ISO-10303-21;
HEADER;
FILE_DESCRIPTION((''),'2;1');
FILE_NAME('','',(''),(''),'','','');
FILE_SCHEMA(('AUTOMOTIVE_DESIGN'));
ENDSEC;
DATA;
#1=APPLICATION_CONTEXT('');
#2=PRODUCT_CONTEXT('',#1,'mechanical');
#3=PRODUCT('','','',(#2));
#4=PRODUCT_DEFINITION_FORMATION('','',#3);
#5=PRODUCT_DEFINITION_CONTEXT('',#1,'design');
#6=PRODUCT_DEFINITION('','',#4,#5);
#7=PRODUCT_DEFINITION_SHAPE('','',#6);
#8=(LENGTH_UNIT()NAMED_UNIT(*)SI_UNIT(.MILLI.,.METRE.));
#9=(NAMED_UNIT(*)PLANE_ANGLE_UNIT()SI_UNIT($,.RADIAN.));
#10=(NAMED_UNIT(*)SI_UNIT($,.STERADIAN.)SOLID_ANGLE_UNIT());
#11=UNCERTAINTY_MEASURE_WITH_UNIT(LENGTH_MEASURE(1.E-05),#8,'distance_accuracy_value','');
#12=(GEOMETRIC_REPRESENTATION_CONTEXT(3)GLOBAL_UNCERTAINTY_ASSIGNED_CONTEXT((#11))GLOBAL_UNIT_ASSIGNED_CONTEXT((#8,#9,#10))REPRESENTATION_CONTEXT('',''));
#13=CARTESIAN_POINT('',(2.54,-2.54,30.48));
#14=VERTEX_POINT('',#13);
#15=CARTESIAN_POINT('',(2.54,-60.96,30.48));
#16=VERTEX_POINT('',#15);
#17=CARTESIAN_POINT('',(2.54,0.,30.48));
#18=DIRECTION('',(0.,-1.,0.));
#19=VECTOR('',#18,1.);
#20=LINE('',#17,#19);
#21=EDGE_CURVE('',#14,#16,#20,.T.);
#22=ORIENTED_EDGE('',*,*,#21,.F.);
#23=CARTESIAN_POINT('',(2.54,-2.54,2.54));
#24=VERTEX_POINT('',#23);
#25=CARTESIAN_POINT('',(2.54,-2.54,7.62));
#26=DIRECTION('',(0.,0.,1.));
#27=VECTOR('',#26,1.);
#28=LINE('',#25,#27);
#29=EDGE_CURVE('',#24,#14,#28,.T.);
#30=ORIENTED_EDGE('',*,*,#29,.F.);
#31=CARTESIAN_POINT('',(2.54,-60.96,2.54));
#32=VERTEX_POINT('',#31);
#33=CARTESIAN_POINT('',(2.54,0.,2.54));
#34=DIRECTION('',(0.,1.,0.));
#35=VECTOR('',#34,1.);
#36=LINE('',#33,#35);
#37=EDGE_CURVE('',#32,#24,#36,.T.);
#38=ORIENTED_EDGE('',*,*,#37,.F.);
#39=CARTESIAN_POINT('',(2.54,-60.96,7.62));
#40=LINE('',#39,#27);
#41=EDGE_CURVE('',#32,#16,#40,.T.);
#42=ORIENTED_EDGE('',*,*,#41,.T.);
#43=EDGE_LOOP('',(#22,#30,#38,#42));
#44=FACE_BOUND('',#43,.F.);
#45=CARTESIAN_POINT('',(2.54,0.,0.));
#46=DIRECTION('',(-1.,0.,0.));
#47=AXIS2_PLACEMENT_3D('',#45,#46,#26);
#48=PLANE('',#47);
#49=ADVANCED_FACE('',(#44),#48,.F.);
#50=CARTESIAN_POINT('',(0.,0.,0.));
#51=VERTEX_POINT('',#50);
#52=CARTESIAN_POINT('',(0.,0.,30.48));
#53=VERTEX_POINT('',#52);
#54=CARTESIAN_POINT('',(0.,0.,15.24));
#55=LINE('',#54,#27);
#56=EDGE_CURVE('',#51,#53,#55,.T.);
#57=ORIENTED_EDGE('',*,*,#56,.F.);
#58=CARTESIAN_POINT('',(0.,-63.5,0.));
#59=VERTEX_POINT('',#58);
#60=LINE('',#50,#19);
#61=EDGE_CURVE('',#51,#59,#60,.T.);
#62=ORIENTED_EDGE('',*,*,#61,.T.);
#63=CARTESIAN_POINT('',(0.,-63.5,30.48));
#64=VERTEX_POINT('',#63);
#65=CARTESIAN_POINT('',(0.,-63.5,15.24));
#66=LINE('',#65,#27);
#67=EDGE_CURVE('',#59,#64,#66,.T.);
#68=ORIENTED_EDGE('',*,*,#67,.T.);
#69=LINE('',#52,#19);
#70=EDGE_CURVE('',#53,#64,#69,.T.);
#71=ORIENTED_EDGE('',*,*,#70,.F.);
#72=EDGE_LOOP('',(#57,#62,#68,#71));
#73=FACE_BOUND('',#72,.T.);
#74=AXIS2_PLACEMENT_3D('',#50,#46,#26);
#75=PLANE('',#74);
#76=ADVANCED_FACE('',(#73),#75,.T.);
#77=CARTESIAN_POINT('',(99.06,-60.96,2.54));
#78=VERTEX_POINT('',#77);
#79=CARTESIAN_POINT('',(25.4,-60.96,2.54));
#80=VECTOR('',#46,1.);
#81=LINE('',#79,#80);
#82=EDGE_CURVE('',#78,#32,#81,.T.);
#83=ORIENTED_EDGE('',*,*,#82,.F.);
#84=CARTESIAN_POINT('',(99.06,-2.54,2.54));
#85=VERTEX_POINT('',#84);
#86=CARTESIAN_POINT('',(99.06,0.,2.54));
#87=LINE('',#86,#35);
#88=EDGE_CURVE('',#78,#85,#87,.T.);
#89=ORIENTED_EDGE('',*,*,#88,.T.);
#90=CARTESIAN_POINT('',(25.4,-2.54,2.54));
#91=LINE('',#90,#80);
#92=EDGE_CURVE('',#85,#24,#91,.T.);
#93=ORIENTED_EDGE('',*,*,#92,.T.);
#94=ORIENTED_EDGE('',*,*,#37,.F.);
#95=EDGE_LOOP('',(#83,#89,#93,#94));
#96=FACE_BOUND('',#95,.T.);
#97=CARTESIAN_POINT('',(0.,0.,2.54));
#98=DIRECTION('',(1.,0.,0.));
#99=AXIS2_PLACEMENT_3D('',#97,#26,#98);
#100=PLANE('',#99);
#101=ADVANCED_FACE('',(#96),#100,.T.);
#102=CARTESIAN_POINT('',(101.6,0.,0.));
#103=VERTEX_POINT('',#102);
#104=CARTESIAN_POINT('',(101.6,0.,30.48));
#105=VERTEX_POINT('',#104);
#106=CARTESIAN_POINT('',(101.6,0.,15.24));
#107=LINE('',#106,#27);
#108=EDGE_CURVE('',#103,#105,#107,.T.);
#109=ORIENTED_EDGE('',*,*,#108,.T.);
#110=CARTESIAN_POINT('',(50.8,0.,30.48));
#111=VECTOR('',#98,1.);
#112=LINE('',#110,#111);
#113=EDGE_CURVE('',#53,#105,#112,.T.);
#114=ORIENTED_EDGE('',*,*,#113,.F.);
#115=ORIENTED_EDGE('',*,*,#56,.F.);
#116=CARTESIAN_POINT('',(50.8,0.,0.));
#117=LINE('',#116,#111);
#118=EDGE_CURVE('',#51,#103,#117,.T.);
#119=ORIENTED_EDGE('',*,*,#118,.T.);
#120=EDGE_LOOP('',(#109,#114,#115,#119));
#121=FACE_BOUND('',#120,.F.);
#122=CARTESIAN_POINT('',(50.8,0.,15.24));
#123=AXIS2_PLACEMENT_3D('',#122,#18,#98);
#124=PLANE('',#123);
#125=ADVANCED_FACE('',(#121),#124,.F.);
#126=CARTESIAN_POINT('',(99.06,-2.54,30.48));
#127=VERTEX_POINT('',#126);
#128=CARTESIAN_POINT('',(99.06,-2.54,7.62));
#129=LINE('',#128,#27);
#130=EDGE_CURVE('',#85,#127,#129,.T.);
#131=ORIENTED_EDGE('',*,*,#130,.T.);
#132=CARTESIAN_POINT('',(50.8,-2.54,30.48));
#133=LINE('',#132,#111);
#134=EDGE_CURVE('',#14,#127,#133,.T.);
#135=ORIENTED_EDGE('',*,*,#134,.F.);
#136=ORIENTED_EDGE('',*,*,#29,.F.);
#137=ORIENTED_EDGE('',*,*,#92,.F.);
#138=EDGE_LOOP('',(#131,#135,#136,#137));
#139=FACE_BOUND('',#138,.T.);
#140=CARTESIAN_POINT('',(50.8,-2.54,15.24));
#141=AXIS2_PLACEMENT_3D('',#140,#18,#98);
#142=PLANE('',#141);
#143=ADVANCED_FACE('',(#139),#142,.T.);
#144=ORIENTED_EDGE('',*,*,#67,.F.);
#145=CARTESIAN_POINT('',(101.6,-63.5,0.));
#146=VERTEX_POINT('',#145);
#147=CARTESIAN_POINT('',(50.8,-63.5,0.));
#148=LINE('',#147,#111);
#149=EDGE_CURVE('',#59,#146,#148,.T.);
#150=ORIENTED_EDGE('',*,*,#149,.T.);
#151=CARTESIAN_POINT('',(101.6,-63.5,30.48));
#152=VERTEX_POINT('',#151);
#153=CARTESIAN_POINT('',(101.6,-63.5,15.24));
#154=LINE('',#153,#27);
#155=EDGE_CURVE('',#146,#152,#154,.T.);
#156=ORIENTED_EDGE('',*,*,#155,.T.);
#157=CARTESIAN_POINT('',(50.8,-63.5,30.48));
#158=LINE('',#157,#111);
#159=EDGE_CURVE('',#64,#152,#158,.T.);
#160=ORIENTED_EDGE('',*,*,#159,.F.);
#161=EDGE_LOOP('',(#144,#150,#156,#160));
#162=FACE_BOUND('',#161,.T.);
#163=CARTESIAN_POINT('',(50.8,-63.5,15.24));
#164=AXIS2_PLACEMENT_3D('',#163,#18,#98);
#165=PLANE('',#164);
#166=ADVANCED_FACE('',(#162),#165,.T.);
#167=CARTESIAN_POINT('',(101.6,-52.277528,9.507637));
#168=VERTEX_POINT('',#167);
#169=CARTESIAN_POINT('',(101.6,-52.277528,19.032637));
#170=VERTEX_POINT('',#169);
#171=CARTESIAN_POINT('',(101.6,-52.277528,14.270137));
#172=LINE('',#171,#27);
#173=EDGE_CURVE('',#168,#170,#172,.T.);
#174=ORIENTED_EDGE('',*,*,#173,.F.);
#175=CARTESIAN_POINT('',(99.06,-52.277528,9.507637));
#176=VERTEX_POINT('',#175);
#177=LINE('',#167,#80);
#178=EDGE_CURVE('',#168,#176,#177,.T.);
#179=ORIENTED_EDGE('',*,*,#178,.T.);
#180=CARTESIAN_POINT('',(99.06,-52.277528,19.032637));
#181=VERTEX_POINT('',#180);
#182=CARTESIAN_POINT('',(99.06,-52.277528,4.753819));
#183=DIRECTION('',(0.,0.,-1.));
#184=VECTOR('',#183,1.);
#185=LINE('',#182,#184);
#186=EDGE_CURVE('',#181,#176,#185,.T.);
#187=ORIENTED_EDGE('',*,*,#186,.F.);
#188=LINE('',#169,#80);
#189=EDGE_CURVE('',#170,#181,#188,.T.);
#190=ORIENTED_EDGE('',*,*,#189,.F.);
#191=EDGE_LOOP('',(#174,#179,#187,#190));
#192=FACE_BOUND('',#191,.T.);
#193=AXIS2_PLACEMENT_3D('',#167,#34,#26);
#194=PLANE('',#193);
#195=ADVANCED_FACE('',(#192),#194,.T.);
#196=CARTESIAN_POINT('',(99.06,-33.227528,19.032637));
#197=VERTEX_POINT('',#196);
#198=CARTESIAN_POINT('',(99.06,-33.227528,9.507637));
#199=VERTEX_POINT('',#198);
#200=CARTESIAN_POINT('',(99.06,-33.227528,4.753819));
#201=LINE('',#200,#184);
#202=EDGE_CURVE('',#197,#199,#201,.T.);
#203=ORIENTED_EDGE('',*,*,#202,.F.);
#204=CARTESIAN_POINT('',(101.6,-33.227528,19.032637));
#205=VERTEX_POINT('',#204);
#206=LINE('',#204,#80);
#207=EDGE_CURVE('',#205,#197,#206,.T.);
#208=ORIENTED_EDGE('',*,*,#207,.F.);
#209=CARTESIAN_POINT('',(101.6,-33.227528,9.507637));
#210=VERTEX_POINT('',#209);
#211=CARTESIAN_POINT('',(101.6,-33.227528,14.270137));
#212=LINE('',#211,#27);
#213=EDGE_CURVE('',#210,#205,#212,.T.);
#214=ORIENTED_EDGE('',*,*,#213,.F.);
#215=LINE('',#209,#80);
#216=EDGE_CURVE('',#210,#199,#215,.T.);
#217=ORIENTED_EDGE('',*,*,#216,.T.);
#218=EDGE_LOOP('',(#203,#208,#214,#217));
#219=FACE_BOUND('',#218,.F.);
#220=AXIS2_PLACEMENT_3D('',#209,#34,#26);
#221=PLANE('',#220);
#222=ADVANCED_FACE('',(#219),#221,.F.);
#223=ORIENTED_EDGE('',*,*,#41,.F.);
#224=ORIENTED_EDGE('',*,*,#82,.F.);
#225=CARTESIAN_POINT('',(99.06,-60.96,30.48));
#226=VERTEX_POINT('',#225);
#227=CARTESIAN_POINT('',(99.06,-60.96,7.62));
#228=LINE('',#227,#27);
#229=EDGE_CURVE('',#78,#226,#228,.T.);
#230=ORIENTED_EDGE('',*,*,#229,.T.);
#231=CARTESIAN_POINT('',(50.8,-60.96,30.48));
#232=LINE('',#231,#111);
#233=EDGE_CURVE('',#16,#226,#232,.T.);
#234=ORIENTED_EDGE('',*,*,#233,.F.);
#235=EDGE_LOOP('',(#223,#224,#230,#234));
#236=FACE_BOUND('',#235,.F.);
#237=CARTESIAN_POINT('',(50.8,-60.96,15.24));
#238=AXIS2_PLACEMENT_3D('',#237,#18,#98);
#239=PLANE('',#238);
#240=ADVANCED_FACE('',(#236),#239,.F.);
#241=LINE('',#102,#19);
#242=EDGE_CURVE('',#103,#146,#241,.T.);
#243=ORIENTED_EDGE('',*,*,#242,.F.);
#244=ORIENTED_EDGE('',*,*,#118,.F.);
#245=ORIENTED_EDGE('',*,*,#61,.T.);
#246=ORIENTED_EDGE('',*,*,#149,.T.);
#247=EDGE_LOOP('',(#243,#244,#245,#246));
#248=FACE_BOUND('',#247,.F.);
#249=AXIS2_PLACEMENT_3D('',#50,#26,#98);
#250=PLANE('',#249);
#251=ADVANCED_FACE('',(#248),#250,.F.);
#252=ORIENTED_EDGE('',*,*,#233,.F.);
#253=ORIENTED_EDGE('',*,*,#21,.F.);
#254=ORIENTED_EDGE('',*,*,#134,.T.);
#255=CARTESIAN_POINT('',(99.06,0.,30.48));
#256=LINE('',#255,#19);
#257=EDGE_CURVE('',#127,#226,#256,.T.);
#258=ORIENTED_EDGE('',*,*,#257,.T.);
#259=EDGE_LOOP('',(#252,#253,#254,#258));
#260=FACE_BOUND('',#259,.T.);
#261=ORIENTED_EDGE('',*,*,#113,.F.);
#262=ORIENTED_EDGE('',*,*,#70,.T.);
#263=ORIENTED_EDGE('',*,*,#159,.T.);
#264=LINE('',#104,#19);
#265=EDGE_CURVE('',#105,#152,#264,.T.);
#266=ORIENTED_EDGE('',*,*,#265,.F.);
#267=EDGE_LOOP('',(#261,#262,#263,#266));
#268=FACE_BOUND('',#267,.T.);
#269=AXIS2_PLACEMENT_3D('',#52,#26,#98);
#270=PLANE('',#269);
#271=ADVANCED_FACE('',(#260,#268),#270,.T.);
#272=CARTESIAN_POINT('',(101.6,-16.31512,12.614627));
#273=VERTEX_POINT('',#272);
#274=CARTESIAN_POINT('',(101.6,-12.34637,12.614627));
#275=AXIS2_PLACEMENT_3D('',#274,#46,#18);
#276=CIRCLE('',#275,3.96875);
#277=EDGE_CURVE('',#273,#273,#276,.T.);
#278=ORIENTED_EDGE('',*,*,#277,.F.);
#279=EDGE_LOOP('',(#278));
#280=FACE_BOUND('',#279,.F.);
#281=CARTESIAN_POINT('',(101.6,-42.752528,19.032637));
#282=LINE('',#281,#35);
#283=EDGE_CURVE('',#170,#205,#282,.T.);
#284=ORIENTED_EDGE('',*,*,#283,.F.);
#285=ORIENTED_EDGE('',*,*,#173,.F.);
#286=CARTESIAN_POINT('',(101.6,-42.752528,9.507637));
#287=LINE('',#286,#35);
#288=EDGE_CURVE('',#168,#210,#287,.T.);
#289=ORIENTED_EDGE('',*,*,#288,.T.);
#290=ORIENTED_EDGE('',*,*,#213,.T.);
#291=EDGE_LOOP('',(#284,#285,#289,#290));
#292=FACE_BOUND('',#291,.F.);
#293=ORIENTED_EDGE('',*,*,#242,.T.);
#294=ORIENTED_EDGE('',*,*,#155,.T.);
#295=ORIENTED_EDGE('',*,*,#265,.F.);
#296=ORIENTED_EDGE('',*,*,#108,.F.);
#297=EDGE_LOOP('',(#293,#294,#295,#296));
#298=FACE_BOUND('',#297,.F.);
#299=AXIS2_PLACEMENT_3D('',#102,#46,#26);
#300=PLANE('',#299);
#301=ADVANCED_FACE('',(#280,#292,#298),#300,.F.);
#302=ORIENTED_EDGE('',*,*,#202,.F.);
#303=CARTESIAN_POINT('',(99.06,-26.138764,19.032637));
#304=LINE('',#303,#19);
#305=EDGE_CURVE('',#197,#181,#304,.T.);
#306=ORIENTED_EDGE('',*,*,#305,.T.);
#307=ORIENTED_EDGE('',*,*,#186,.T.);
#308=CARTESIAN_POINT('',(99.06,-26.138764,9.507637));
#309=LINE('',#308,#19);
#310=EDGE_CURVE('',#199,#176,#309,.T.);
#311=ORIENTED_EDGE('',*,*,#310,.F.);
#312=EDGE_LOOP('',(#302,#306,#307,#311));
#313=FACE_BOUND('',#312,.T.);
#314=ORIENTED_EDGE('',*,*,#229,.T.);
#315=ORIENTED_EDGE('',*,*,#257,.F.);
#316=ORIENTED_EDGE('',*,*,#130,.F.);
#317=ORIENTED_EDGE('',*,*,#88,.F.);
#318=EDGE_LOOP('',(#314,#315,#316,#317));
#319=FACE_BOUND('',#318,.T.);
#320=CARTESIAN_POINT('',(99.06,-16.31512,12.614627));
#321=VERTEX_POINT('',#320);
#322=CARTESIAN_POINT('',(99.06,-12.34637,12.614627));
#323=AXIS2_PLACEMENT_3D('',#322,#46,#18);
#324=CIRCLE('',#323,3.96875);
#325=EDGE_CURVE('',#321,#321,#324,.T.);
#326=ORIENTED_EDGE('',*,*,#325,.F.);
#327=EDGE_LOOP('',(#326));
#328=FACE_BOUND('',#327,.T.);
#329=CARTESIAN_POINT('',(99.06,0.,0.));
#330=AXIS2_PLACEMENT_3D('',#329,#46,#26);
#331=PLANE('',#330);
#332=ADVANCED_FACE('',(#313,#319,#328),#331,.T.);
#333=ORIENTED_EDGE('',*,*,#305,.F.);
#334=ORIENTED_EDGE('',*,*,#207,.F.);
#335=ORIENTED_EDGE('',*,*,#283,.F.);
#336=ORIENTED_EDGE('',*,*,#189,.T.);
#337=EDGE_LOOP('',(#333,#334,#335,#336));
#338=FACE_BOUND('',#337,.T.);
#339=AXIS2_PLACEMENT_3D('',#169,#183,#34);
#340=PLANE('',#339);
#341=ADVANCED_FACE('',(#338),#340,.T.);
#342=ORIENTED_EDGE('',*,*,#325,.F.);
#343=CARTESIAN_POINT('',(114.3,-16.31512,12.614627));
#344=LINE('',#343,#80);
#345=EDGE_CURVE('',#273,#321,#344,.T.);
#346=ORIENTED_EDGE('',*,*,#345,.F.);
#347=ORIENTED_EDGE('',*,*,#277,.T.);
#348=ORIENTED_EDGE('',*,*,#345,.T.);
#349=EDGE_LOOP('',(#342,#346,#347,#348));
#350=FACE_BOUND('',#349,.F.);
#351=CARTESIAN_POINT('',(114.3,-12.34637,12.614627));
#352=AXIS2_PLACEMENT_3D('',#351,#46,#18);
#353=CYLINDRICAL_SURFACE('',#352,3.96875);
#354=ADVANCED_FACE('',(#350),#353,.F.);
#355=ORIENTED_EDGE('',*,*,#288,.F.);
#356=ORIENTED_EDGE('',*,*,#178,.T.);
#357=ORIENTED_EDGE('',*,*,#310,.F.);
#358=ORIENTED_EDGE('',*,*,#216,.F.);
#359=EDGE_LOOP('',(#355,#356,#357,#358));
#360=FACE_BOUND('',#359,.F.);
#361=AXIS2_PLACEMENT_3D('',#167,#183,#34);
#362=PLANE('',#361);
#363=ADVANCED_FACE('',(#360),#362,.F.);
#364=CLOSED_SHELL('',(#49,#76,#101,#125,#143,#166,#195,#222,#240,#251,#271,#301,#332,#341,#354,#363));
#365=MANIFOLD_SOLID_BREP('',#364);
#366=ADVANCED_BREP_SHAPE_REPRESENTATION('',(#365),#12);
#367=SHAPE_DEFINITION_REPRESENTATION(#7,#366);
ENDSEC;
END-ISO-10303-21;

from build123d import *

# Parameters (mm, degrees)
F0_W     = 101.6
F0_H     = 30.48
F1_DEPTH = 63.5
F2_T     = -2.54
F4_D     = 7.9375
F4_DEPTH = 12.7
F5_W     = 19.05
F5_H     = 9.525
F6_DEPTH = 25.4


with BuildPart() as f1:
    # F0 (on Front) → F1 (new body)
    with BuildSketch(Plane.XZ):
        with Locations((50.8, 15.24)):
            Rectangle(F0_W, F0_H)
    extrude(amount=F1_DEPTH)

    # F2
    f2_openings = [f1.faces().sort_by_distance(p)[0] for p in [
        (50.8, -31.75, 30.48),
    ]]
    offset(amount=F2_T, openings=f2_openings)

    # F4
    with Locations(Plane.YZ.offset(101.6)):
        with Locations((-12.34637, 12.614627)):
            Hole(F4_D / 2, depth=F4_DEPTH)

    # F5 (on face) → F6 (cut)
    with BuildSketch(Plane.YZ.offset(101.6)):
        with Locations((-42.752528, 14.270137)):
            Rectangle(F5_W, F5_H)
    extrude(amount=-F6_DEPTH, mode=Mode.SUBTRACT)


solid = f1.part
